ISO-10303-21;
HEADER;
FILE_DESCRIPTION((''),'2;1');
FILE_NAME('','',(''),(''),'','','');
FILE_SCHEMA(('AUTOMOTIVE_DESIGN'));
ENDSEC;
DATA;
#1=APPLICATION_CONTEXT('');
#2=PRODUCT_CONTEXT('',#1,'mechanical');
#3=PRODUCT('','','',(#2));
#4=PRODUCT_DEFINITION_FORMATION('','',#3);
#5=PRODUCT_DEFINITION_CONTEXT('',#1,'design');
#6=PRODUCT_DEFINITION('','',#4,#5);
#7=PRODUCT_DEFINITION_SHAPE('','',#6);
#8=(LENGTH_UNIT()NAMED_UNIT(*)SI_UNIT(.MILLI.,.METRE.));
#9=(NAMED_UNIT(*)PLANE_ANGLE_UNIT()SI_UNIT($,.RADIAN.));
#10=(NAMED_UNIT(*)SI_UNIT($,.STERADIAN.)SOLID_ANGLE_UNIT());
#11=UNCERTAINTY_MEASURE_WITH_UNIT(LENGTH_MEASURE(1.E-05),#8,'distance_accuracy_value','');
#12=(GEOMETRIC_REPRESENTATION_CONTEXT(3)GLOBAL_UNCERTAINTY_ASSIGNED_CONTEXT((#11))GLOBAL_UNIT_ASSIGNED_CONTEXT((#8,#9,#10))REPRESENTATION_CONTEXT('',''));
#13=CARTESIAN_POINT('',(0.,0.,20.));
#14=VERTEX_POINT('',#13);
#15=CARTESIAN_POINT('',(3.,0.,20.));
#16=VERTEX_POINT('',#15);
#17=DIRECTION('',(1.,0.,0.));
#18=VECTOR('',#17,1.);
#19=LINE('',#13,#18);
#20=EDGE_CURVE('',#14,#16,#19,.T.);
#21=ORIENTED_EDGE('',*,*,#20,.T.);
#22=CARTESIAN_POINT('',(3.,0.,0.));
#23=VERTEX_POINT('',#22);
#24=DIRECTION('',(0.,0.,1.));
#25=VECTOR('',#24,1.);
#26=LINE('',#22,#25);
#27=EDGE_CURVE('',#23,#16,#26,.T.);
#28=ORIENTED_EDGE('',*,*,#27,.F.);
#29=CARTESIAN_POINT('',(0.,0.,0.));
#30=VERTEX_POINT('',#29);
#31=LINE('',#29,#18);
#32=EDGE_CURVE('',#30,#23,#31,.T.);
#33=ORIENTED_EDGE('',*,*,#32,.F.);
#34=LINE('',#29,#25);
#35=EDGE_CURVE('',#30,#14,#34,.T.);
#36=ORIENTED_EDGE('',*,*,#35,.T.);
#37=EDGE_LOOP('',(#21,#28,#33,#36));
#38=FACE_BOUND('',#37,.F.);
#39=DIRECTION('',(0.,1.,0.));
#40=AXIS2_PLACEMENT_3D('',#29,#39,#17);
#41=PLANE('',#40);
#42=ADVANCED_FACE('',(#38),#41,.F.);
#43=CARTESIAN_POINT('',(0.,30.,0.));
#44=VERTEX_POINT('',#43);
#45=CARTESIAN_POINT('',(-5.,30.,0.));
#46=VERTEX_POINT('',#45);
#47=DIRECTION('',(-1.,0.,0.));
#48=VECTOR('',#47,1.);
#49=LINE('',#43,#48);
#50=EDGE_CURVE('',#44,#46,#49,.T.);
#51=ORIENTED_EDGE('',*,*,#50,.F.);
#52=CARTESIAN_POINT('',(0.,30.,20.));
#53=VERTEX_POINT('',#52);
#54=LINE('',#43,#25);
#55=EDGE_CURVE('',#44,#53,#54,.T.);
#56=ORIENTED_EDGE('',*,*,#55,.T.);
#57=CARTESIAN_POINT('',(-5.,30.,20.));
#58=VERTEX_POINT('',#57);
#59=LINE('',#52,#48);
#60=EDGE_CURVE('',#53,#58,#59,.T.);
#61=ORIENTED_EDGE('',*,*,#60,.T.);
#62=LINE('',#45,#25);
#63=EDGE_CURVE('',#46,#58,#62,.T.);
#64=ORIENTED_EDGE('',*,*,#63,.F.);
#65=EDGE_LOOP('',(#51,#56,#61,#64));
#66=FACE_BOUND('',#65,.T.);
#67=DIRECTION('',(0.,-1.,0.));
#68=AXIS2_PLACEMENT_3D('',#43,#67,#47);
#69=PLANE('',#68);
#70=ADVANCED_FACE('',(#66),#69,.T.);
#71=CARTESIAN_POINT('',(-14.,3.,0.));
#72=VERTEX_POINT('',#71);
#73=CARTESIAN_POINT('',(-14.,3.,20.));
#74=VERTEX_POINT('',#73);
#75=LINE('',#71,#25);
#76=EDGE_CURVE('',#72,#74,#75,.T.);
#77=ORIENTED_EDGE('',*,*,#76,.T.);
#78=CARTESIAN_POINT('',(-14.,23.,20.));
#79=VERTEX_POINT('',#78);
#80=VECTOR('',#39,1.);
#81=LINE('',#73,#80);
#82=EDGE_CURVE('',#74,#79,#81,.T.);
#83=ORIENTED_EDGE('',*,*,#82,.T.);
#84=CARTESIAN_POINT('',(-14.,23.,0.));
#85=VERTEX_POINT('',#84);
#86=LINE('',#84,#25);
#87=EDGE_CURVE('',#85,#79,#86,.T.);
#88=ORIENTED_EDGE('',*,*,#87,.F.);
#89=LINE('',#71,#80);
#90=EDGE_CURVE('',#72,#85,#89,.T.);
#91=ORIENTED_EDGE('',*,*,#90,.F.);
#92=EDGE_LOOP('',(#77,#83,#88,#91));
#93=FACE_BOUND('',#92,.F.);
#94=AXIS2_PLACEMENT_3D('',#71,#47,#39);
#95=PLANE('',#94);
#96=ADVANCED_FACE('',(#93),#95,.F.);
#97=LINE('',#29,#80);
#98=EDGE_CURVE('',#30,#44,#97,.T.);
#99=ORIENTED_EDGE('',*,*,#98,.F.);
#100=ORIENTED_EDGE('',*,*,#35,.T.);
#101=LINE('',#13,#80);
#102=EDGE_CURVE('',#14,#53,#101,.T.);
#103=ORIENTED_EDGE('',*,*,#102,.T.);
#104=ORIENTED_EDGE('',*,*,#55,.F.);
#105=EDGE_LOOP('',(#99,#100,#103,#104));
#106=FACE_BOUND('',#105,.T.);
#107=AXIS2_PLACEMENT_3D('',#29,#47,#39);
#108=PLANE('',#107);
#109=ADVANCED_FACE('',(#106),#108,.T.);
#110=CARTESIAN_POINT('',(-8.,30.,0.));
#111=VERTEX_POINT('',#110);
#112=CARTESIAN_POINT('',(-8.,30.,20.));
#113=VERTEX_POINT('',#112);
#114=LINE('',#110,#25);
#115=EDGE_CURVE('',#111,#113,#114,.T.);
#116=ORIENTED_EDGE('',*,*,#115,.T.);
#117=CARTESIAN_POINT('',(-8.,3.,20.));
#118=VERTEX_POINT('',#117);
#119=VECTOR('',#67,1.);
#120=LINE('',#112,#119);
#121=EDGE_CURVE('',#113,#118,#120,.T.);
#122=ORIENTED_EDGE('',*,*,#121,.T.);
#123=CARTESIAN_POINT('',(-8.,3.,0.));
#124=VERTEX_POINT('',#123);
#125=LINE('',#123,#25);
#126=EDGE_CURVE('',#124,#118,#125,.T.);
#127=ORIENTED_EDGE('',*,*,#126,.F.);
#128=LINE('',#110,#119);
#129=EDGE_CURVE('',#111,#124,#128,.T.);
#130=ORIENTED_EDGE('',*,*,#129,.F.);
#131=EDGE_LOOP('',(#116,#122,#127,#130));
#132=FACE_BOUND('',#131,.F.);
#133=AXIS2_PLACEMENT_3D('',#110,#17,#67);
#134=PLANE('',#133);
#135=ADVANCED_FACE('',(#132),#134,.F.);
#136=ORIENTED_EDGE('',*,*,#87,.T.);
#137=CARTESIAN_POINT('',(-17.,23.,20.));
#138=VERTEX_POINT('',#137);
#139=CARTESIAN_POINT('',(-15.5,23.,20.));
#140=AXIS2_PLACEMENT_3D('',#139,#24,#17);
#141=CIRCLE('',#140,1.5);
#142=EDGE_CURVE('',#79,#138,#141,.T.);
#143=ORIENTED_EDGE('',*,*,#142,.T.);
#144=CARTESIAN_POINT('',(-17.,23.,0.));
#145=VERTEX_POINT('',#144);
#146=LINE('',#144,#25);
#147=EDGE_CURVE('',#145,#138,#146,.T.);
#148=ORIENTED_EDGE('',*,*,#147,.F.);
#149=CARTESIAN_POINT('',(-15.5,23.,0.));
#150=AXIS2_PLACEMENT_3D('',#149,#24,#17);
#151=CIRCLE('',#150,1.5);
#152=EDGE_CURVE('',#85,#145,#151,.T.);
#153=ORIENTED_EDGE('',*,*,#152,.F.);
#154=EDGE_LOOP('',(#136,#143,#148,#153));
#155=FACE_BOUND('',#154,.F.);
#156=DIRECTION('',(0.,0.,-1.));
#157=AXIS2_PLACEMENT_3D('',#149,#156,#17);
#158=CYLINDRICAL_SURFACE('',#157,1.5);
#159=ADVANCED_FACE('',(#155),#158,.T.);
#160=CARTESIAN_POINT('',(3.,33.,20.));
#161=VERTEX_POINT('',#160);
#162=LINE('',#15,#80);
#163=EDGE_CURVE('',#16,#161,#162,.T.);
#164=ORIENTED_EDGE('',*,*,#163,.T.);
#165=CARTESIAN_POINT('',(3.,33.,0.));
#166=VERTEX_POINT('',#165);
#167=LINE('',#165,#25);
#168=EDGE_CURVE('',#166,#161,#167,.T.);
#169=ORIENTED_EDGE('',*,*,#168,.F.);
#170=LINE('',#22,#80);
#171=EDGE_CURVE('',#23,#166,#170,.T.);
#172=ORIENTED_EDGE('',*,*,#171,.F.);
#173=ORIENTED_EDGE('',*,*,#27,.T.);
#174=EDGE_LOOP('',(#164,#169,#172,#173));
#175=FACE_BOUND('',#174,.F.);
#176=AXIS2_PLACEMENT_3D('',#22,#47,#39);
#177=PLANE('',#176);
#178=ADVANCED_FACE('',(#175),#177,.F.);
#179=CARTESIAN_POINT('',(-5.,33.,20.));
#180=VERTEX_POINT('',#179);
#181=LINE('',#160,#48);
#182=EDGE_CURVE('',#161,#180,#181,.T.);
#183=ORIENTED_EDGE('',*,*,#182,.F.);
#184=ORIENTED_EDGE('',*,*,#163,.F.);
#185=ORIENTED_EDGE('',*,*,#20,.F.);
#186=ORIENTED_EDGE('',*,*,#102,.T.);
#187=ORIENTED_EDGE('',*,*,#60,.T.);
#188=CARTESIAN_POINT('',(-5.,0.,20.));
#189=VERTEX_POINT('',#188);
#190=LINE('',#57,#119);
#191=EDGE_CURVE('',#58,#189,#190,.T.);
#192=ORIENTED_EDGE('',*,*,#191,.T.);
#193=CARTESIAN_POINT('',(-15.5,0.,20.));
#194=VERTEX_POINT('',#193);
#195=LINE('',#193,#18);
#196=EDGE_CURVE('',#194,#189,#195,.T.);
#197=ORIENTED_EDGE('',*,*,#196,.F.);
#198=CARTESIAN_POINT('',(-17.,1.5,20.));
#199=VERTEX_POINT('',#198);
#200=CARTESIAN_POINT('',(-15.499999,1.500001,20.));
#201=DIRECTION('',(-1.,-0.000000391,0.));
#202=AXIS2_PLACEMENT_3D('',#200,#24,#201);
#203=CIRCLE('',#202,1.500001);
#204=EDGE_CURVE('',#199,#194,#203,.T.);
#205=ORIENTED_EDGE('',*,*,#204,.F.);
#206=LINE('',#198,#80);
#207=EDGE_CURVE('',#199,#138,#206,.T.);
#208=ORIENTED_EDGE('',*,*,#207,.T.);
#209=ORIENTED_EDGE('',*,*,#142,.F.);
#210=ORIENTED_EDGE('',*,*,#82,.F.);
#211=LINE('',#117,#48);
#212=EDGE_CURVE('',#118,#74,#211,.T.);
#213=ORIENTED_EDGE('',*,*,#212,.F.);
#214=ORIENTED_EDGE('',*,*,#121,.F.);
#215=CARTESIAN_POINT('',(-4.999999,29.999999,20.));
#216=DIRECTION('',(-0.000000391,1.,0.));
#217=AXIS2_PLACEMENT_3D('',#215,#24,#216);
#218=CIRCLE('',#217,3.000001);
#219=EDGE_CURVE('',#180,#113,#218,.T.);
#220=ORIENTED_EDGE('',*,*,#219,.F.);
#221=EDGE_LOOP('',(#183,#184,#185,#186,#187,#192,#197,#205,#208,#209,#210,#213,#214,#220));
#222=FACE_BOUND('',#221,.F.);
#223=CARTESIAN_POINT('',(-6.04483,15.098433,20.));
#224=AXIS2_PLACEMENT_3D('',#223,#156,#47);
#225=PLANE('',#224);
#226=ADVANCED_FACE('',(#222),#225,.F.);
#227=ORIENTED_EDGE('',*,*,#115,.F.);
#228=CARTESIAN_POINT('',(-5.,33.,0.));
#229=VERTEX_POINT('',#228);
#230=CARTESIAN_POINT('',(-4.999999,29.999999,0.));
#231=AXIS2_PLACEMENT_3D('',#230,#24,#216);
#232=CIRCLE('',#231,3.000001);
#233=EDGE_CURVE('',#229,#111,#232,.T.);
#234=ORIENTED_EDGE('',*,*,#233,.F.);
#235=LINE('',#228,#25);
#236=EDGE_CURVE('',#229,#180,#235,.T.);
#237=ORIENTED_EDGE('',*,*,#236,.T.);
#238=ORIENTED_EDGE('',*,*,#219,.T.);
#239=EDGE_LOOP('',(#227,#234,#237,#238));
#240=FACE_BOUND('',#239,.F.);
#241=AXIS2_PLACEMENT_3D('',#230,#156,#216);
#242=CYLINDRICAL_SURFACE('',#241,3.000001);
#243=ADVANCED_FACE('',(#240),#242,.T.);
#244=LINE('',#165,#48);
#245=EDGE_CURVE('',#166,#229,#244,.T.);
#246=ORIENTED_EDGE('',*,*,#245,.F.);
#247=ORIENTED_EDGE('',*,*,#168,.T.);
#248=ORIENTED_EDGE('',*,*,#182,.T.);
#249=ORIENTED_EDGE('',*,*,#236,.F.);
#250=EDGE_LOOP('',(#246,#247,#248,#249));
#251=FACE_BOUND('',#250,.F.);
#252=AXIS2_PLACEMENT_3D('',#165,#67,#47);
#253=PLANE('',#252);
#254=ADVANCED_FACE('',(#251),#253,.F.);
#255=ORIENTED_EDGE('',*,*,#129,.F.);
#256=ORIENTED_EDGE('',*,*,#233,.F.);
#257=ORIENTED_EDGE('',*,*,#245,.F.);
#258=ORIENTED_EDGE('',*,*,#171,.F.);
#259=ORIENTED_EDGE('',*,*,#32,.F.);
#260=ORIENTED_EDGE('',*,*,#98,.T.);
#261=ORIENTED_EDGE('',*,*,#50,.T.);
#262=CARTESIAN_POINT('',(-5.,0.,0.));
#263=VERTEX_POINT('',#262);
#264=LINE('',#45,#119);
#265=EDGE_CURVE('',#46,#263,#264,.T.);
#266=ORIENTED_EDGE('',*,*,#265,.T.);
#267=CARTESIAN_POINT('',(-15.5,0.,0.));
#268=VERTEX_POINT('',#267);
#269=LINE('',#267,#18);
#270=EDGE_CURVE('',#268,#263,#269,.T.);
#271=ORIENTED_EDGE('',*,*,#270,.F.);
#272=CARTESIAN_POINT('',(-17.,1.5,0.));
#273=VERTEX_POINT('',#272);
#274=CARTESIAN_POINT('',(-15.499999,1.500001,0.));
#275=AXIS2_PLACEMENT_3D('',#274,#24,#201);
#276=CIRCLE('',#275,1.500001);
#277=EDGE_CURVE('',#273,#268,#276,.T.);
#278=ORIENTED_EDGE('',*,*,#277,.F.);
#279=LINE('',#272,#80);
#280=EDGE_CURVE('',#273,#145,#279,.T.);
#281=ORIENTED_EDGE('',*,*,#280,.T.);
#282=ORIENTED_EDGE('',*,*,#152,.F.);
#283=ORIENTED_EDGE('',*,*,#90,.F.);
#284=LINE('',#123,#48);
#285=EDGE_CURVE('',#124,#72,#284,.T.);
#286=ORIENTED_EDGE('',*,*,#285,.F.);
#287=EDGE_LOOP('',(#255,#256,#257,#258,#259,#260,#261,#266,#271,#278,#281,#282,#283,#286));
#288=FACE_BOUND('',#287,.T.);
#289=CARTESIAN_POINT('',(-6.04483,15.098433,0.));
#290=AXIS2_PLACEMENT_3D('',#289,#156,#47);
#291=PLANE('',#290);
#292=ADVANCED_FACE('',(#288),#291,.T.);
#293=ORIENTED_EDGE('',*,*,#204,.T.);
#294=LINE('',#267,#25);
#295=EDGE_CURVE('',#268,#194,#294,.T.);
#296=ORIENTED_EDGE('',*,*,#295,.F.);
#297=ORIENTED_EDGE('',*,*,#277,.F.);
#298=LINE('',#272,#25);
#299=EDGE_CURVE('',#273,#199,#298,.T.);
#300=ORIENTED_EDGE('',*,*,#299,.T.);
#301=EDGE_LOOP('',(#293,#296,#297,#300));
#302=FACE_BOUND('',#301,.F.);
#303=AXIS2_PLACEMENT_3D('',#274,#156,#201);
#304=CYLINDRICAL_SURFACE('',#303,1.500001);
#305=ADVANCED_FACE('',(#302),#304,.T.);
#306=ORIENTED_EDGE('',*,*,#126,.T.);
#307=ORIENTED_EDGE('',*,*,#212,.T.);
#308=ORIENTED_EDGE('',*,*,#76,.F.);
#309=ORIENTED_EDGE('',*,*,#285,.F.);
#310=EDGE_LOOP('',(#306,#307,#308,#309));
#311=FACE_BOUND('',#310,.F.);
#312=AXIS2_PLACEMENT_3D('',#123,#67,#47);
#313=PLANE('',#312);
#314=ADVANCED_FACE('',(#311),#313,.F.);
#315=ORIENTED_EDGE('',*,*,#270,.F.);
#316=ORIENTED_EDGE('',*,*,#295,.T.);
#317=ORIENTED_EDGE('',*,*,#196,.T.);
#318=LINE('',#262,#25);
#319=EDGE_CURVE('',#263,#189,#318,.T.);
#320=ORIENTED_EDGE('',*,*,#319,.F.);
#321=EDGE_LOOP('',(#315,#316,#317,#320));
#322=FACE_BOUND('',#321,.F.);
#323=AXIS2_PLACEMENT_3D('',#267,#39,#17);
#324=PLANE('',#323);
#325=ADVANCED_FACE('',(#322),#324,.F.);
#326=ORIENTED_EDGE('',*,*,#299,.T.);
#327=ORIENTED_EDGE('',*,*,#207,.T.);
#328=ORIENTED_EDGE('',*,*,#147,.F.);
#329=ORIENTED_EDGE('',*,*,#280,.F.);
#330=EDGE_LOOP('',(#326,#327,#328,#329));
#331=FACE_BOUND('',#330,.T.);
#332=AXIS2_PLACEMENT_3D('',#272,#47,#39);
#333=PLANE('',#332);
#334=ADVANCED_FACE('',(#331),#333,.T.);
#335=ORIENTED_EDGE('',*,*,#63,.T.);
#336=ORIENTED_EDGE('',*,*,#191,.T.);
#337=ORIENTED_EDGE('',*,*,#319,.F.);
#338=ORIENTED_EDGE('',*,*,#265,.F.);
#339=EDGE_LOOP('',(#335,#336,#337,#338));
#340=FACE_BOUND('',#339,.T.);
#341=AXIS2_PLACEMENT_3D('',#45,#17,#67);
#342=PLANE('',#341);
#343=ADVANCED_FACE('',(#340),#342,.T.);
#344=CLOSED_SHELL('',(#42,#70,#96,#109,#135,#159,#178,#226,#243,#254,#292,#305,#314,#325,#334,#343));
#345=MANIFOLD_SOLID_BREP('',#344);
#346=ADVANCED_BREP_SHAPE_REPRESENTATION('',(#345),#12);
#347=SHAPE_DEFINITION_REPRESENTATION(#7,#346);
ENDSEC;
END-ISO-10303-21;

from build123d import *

# Parameters (mm, degrees)
PAD_DEPTH = 20


with BuildPart() as part:
    # Sketch → Pad (new body)
    with BuildSketch(Plane.XY):
        with BuildLine():
            Line((0, 0), (0, 30))
            Line((0, 30), (-5, 30))
            Line((-5, 30), (-5, 0))
            Line((-15.5, 0), (-5, 0))
            ThreePointArc((-17, 1.5), (-16.56066, 0.43934), (-15.5, 0))
            Line((-17, 1.5), (-17, 23))
            ThreePointArc((-14, 23), (-15.5, 24.5), (-17, 23))
            Line((-14, 3), (-14, 23))
            Line((-8, 3), (-14, 3))
            Line((-8, 30), (-8, 3))
            ThreePointArc((-5, 33), (-7.12132, 32.12132), (-8, 30))
            Line((3, 33), (-5, 33))
            Line((3, 0), (3, 33))
            Line((0, 0), (3, 0))
        make_face()
    extrude(amount=PAD_DEPTH)


solid = part.part
